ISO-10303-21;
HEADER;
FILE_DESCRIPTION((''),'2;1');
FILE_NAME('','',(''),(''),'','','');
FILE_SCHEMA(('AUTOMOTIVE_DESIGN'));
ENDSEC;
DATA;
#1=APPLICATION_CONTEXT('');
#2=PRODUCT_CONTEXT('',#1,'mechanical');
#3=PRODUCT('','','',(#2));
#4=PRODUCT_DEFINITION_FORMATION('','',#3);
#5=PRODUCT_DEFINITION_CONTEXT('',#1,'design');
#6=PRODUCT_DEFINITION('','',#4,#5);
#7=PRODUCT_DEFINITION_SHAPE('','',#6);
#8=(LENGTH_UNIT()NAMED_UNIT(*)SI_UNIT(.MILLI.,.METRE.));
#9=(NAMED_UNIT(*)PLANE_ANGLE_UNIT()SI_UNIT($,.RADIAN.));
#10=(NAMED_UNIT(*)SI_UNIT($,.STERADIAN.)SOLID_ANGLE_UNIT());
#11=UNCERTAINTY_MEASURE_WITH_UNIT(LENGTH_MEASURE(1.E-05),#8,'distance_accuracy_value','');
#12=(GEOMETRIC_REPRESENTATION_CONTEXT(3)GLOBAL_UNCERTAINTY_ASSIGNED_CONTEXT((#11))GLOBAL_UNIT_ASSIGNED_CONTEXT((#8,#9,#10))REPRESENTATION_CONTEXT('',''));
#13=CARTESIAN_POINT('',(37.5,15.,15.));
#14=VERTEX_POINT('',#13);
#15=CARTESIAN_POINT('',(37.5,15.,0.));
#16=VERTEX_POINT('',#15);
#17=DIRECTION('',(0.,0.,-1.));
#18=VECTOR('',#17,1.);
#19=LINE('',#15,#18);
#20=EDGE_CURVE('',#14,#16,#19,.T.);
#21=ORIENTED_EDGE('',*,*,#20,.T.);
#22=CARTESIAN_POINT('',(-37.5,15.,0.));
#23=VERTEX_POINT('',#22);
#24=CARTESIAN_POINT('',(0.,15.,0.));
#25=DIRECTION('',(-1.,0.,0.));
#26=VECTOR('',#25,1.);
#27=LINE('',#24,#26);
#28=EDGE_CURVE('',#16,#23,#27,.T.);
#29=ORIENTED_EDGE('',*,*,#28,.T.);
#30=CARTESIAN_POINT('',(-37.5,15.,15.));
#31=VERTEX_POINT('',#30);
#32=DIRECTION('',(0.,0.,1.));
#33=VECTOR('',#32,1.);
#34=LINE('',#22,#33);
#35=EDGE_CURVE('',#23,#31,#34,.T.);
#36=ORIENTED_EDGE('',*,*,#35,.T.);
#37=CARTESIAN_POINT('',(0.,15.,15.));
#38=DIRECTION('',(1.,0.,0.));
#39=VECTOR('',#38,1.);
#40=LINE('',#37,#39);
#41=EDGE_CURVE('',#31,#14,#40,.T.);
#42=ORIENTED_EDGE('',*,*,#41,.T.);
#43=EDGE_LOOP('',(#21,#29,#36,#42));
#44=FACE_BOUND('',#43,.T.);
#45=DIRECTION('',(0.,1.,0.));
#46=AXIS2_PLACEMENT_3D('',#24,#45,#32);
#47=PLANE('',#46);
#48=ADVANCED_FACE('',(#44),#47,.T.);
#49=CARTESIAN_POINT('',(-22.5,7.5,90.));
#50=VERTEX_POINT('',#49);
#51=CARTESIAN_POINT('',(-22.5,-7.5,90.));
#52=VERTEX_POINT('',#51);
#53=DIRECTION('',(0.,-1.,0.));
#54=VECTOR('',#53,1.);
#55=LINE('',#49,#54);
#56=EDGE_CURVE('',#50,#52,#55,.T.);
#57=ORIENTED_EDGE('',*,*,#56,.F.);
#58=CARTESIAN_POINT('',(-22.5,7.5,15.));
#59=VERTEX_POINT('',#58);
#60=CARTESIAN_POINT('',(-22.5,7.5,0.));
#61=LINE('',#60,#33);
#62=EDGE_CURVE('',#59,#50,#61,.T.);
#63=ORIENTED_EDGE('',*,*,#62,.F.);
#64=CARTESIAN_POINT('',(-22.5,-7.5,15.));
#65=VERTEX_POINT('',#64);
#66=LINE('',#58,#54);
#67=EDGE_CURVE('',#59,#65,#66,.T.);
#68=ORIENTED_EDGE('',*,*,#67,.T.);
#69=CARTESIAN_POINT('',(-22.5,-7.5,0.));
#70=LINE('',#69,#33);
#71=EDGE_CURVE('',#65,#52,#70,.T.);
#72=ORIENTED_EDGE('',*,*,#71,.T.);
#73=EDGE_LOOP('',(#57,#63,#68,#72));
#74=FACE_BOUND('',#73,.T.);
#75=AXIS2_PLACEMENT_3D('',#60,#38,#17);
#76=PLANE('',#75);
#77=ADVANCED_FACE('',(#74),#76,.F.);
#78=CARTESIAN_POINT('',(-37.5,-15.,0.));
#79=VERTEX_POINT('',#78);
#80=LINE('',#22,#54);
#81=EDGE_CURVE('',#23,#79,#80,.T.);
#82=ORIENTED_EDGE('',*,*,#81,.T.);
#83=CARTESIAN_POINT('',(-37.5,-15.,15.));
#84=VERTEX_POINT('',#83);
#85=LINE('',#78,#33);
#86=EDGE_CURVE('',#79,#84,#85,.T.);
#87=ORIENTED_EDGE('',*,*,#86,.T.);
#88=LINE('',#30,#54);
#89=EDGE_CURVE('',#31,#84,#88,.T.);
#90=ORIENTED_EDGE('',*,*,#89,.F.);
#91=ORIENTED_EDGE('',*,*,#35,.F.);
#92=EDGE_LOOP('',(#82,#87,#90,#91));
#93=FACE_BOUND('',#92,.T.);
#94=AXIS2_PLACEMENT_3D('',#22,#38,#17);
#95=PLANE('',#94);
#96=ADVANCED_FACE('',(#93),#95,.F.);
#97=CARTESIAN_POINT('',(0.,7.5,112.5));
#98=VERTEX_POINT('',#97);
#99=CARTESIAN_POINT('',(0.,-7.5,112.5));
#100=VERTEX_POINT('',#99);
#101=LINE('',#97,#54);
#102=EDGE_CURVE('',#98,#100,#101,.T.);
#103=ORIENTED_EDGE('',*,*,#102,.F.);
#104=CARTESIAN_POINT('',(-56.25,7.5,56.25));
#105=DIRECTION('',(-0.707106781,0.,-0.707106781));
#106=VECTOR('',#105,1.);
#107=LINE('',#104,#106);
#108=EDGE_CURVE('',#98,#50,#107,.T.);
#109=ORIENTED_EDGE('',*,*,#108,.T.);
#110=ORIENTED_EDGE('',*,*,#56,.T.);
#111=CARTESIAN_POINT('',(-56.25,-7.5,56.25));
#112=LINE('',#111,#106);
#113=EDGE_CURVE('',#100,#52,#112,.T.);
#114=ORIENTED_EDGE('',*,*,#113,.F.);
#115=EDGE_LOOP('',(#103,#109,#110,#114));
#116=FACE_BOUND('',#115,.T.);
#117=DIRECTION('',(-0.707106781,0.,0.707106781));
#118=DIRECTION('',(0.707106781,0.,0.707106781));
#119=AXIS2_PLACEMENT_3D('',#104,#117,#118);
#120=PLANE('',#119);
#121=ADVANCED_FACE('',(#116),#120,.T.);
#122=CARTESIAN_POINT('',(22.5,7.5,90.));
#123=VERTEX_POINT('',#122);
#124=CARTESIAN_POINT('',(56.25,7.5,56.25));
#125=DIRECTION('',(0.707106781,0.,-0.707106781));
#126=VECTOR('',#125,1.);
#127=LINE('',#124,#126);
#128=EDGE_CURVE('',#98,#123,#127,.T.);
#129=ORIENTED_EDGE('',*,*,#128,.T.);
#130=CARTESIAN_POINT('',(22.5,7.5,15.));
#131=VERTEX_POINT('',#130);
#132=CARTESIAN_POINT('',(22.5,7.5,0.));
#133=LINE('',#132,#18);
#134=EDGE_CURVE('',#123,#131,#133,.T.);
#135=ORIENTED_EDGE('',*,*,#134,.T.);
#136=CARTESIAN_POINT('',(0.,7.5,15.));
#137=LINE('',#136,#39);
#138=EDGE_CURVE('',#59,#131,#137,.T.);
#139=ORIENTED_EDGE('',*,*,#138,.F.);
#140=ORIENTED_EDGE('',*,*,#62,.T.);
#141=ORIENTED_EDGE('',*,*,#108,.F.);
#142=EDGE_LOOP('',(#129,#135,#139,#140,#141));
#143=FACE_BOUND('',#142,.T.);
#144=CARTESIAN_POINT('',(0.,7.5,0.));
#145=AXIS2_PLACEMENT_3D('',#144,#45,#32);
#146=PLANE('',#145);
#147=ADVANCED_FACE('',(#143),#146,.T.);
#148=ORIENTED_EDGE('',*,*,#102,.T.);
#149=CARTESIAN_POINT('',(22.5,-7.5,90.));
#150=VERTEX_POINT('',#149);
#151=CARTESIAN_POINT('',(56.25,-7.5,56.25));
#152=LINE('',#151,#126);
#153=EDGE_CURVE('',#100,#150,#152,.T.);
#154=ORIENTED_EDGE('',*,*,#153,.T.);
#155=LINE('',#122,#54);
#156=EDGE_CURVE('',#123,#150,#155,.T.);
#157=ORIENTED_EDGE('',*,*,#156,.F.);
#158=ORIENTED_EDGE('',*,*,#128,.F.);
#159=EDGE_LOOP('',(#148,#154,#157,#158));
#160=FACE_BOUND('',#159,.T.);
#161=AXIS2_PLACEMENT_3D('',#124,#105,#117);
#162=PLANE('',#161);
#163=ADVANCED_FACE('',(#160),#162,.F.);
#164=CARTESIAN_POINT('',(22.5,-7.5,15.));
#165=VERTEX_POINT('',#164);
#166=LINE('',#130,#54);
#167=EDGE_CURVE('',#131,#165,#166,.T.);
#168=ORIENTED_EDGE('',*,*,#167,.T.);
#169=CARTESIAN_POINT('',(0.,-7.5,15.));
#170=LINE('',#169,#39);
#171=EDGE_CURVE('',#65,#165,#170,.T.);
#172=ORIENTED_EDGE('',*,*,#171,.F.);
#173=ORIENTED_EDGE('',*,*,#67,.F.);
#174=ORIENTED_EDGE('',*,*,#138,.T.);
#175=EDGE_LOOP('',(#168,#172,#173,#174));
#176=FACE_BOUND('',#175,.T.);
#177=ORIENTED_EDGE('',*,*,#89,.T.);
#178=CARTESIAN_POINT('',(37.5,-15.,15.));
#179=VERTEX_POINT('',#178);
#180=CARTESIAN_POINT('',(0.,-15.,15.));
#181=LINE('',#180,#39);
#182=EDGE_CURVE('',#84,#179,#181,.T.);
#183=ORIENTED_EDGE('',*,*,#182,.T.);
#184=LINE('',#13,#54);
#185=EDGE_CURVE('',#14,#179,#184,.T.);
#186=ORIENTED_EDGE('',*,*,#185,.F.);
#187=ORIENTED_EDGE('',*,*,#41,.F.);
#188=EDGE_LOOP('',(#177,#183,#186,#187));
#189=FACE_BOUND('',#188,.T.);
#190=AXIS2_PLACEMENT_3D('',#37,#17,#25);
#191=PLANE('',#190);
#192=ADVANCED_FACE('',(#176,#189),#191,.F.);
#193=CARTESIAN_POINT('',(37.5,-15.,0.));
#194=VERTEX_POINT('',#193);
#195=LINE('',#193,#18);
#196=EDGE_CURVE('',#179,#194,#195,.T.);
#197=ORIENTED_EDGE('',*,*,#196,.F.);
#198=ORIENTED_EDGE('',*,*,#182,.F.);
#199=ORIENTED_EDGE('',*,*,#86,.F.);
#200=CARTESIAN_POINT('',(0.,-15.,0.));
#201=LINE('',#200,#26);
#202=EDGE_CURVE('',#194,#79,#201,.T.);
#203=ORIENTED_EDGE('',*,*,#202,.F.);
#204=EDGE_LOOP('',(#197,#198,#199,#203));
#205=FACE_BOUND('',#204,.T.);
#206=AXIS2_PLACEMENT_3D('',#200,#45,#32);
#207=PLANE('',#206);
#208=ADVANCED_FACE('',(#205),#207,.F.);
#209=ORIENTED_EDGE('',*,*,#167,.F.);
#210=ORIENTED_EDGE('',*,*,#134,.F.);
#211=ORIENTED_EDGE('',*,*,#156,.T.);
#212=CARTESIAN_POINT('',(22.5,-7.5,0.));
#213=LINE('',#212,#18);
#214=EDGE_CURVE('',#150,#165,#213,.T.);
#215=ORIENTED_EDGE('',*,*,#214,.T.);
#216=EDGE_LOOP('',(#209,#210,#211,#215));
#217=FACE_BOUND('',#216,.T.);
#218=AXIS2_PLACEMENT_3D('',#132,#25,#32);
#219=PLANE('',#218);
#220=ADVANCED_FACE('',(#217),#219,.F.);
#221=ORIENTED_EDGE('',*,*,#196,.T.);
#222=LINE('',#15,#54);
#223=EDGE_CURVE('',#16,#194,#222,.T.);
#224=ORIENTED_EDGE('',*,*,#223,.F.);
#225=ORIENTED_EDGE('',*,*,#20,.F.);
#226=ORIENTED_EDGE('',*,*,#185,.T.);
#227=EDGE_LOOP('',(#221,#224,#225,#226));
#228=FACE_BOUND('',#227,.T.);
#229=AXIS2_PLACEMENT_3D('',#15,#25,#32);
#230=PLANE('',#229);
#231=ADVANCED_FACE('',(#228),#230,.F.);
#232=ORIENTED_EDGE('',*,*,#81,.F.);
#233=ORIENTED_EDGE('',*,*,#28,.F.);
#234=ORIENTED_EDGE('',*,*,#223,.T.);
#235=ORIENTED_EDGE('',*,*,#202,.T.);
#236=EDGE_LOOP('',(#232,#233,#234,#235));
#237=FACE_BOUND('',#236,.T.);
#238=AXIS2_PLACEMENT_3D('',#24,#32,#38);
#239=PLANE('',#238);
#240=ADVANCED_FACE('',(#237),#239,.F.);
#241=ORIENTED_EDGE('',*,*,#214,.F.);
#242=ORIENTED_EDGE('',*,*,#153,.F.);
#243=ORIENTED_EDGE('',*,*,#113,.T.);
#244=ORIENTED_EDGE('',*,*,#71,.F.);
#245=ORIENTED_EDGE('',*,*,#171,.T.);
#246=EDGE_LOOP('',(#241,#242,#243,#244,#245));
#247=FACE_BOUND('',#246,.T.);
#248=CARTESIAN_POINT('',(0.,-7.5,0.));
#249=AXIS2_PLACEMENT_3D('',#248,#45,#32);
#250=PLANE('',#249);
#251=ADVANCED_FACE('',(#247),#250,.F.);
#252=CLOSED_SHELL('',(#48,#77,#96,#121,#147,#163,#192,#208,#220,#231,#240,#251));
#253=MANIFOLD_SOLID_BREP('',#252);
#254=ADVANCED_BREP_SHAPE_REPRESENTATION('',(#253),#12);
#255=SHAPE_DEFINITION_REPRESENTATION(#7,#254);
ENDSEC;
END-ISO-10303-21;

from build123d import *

# Parameters (mm, degrees)
BOSS_EXTRUDE1_DEPTH = 15
BOSS_EXTRUDE2_DEPTH = 7.5


with BuildPart() as part:
    # Sketch1 → Boss-Extrude1 (new, symmetric)
    with BuildSketch(Plane(origin=(0, 0, 0), x_dir=(-1, 0, 0), z_dir=(0, 1, 0))):
        Polygon((-37.5, 15), (-37.5, 0), (37.5, 0), (37.5, 15), (22.5, 15), (-22.5, 15), align=None)
    extrude(amount=BOSS_EXTRUDE1_DEPTH, both=True)

    # Sketch1<3> → Boss-Extrude2 (add, symmetric)
    with BuildSketch(Plane(origin=(0, 0, 0), x_dir=(-1, 0, 0), z_dir=(0, 1, 0))):
        Polygon((-22.5, 90), (-22.5, 15), (22.5, 15), (22.5, 90), (0, 112.5), align=None)
    extrude(amount=BOSS_EXTRUDE2_DEPTH, both=True)


solid = part.part
